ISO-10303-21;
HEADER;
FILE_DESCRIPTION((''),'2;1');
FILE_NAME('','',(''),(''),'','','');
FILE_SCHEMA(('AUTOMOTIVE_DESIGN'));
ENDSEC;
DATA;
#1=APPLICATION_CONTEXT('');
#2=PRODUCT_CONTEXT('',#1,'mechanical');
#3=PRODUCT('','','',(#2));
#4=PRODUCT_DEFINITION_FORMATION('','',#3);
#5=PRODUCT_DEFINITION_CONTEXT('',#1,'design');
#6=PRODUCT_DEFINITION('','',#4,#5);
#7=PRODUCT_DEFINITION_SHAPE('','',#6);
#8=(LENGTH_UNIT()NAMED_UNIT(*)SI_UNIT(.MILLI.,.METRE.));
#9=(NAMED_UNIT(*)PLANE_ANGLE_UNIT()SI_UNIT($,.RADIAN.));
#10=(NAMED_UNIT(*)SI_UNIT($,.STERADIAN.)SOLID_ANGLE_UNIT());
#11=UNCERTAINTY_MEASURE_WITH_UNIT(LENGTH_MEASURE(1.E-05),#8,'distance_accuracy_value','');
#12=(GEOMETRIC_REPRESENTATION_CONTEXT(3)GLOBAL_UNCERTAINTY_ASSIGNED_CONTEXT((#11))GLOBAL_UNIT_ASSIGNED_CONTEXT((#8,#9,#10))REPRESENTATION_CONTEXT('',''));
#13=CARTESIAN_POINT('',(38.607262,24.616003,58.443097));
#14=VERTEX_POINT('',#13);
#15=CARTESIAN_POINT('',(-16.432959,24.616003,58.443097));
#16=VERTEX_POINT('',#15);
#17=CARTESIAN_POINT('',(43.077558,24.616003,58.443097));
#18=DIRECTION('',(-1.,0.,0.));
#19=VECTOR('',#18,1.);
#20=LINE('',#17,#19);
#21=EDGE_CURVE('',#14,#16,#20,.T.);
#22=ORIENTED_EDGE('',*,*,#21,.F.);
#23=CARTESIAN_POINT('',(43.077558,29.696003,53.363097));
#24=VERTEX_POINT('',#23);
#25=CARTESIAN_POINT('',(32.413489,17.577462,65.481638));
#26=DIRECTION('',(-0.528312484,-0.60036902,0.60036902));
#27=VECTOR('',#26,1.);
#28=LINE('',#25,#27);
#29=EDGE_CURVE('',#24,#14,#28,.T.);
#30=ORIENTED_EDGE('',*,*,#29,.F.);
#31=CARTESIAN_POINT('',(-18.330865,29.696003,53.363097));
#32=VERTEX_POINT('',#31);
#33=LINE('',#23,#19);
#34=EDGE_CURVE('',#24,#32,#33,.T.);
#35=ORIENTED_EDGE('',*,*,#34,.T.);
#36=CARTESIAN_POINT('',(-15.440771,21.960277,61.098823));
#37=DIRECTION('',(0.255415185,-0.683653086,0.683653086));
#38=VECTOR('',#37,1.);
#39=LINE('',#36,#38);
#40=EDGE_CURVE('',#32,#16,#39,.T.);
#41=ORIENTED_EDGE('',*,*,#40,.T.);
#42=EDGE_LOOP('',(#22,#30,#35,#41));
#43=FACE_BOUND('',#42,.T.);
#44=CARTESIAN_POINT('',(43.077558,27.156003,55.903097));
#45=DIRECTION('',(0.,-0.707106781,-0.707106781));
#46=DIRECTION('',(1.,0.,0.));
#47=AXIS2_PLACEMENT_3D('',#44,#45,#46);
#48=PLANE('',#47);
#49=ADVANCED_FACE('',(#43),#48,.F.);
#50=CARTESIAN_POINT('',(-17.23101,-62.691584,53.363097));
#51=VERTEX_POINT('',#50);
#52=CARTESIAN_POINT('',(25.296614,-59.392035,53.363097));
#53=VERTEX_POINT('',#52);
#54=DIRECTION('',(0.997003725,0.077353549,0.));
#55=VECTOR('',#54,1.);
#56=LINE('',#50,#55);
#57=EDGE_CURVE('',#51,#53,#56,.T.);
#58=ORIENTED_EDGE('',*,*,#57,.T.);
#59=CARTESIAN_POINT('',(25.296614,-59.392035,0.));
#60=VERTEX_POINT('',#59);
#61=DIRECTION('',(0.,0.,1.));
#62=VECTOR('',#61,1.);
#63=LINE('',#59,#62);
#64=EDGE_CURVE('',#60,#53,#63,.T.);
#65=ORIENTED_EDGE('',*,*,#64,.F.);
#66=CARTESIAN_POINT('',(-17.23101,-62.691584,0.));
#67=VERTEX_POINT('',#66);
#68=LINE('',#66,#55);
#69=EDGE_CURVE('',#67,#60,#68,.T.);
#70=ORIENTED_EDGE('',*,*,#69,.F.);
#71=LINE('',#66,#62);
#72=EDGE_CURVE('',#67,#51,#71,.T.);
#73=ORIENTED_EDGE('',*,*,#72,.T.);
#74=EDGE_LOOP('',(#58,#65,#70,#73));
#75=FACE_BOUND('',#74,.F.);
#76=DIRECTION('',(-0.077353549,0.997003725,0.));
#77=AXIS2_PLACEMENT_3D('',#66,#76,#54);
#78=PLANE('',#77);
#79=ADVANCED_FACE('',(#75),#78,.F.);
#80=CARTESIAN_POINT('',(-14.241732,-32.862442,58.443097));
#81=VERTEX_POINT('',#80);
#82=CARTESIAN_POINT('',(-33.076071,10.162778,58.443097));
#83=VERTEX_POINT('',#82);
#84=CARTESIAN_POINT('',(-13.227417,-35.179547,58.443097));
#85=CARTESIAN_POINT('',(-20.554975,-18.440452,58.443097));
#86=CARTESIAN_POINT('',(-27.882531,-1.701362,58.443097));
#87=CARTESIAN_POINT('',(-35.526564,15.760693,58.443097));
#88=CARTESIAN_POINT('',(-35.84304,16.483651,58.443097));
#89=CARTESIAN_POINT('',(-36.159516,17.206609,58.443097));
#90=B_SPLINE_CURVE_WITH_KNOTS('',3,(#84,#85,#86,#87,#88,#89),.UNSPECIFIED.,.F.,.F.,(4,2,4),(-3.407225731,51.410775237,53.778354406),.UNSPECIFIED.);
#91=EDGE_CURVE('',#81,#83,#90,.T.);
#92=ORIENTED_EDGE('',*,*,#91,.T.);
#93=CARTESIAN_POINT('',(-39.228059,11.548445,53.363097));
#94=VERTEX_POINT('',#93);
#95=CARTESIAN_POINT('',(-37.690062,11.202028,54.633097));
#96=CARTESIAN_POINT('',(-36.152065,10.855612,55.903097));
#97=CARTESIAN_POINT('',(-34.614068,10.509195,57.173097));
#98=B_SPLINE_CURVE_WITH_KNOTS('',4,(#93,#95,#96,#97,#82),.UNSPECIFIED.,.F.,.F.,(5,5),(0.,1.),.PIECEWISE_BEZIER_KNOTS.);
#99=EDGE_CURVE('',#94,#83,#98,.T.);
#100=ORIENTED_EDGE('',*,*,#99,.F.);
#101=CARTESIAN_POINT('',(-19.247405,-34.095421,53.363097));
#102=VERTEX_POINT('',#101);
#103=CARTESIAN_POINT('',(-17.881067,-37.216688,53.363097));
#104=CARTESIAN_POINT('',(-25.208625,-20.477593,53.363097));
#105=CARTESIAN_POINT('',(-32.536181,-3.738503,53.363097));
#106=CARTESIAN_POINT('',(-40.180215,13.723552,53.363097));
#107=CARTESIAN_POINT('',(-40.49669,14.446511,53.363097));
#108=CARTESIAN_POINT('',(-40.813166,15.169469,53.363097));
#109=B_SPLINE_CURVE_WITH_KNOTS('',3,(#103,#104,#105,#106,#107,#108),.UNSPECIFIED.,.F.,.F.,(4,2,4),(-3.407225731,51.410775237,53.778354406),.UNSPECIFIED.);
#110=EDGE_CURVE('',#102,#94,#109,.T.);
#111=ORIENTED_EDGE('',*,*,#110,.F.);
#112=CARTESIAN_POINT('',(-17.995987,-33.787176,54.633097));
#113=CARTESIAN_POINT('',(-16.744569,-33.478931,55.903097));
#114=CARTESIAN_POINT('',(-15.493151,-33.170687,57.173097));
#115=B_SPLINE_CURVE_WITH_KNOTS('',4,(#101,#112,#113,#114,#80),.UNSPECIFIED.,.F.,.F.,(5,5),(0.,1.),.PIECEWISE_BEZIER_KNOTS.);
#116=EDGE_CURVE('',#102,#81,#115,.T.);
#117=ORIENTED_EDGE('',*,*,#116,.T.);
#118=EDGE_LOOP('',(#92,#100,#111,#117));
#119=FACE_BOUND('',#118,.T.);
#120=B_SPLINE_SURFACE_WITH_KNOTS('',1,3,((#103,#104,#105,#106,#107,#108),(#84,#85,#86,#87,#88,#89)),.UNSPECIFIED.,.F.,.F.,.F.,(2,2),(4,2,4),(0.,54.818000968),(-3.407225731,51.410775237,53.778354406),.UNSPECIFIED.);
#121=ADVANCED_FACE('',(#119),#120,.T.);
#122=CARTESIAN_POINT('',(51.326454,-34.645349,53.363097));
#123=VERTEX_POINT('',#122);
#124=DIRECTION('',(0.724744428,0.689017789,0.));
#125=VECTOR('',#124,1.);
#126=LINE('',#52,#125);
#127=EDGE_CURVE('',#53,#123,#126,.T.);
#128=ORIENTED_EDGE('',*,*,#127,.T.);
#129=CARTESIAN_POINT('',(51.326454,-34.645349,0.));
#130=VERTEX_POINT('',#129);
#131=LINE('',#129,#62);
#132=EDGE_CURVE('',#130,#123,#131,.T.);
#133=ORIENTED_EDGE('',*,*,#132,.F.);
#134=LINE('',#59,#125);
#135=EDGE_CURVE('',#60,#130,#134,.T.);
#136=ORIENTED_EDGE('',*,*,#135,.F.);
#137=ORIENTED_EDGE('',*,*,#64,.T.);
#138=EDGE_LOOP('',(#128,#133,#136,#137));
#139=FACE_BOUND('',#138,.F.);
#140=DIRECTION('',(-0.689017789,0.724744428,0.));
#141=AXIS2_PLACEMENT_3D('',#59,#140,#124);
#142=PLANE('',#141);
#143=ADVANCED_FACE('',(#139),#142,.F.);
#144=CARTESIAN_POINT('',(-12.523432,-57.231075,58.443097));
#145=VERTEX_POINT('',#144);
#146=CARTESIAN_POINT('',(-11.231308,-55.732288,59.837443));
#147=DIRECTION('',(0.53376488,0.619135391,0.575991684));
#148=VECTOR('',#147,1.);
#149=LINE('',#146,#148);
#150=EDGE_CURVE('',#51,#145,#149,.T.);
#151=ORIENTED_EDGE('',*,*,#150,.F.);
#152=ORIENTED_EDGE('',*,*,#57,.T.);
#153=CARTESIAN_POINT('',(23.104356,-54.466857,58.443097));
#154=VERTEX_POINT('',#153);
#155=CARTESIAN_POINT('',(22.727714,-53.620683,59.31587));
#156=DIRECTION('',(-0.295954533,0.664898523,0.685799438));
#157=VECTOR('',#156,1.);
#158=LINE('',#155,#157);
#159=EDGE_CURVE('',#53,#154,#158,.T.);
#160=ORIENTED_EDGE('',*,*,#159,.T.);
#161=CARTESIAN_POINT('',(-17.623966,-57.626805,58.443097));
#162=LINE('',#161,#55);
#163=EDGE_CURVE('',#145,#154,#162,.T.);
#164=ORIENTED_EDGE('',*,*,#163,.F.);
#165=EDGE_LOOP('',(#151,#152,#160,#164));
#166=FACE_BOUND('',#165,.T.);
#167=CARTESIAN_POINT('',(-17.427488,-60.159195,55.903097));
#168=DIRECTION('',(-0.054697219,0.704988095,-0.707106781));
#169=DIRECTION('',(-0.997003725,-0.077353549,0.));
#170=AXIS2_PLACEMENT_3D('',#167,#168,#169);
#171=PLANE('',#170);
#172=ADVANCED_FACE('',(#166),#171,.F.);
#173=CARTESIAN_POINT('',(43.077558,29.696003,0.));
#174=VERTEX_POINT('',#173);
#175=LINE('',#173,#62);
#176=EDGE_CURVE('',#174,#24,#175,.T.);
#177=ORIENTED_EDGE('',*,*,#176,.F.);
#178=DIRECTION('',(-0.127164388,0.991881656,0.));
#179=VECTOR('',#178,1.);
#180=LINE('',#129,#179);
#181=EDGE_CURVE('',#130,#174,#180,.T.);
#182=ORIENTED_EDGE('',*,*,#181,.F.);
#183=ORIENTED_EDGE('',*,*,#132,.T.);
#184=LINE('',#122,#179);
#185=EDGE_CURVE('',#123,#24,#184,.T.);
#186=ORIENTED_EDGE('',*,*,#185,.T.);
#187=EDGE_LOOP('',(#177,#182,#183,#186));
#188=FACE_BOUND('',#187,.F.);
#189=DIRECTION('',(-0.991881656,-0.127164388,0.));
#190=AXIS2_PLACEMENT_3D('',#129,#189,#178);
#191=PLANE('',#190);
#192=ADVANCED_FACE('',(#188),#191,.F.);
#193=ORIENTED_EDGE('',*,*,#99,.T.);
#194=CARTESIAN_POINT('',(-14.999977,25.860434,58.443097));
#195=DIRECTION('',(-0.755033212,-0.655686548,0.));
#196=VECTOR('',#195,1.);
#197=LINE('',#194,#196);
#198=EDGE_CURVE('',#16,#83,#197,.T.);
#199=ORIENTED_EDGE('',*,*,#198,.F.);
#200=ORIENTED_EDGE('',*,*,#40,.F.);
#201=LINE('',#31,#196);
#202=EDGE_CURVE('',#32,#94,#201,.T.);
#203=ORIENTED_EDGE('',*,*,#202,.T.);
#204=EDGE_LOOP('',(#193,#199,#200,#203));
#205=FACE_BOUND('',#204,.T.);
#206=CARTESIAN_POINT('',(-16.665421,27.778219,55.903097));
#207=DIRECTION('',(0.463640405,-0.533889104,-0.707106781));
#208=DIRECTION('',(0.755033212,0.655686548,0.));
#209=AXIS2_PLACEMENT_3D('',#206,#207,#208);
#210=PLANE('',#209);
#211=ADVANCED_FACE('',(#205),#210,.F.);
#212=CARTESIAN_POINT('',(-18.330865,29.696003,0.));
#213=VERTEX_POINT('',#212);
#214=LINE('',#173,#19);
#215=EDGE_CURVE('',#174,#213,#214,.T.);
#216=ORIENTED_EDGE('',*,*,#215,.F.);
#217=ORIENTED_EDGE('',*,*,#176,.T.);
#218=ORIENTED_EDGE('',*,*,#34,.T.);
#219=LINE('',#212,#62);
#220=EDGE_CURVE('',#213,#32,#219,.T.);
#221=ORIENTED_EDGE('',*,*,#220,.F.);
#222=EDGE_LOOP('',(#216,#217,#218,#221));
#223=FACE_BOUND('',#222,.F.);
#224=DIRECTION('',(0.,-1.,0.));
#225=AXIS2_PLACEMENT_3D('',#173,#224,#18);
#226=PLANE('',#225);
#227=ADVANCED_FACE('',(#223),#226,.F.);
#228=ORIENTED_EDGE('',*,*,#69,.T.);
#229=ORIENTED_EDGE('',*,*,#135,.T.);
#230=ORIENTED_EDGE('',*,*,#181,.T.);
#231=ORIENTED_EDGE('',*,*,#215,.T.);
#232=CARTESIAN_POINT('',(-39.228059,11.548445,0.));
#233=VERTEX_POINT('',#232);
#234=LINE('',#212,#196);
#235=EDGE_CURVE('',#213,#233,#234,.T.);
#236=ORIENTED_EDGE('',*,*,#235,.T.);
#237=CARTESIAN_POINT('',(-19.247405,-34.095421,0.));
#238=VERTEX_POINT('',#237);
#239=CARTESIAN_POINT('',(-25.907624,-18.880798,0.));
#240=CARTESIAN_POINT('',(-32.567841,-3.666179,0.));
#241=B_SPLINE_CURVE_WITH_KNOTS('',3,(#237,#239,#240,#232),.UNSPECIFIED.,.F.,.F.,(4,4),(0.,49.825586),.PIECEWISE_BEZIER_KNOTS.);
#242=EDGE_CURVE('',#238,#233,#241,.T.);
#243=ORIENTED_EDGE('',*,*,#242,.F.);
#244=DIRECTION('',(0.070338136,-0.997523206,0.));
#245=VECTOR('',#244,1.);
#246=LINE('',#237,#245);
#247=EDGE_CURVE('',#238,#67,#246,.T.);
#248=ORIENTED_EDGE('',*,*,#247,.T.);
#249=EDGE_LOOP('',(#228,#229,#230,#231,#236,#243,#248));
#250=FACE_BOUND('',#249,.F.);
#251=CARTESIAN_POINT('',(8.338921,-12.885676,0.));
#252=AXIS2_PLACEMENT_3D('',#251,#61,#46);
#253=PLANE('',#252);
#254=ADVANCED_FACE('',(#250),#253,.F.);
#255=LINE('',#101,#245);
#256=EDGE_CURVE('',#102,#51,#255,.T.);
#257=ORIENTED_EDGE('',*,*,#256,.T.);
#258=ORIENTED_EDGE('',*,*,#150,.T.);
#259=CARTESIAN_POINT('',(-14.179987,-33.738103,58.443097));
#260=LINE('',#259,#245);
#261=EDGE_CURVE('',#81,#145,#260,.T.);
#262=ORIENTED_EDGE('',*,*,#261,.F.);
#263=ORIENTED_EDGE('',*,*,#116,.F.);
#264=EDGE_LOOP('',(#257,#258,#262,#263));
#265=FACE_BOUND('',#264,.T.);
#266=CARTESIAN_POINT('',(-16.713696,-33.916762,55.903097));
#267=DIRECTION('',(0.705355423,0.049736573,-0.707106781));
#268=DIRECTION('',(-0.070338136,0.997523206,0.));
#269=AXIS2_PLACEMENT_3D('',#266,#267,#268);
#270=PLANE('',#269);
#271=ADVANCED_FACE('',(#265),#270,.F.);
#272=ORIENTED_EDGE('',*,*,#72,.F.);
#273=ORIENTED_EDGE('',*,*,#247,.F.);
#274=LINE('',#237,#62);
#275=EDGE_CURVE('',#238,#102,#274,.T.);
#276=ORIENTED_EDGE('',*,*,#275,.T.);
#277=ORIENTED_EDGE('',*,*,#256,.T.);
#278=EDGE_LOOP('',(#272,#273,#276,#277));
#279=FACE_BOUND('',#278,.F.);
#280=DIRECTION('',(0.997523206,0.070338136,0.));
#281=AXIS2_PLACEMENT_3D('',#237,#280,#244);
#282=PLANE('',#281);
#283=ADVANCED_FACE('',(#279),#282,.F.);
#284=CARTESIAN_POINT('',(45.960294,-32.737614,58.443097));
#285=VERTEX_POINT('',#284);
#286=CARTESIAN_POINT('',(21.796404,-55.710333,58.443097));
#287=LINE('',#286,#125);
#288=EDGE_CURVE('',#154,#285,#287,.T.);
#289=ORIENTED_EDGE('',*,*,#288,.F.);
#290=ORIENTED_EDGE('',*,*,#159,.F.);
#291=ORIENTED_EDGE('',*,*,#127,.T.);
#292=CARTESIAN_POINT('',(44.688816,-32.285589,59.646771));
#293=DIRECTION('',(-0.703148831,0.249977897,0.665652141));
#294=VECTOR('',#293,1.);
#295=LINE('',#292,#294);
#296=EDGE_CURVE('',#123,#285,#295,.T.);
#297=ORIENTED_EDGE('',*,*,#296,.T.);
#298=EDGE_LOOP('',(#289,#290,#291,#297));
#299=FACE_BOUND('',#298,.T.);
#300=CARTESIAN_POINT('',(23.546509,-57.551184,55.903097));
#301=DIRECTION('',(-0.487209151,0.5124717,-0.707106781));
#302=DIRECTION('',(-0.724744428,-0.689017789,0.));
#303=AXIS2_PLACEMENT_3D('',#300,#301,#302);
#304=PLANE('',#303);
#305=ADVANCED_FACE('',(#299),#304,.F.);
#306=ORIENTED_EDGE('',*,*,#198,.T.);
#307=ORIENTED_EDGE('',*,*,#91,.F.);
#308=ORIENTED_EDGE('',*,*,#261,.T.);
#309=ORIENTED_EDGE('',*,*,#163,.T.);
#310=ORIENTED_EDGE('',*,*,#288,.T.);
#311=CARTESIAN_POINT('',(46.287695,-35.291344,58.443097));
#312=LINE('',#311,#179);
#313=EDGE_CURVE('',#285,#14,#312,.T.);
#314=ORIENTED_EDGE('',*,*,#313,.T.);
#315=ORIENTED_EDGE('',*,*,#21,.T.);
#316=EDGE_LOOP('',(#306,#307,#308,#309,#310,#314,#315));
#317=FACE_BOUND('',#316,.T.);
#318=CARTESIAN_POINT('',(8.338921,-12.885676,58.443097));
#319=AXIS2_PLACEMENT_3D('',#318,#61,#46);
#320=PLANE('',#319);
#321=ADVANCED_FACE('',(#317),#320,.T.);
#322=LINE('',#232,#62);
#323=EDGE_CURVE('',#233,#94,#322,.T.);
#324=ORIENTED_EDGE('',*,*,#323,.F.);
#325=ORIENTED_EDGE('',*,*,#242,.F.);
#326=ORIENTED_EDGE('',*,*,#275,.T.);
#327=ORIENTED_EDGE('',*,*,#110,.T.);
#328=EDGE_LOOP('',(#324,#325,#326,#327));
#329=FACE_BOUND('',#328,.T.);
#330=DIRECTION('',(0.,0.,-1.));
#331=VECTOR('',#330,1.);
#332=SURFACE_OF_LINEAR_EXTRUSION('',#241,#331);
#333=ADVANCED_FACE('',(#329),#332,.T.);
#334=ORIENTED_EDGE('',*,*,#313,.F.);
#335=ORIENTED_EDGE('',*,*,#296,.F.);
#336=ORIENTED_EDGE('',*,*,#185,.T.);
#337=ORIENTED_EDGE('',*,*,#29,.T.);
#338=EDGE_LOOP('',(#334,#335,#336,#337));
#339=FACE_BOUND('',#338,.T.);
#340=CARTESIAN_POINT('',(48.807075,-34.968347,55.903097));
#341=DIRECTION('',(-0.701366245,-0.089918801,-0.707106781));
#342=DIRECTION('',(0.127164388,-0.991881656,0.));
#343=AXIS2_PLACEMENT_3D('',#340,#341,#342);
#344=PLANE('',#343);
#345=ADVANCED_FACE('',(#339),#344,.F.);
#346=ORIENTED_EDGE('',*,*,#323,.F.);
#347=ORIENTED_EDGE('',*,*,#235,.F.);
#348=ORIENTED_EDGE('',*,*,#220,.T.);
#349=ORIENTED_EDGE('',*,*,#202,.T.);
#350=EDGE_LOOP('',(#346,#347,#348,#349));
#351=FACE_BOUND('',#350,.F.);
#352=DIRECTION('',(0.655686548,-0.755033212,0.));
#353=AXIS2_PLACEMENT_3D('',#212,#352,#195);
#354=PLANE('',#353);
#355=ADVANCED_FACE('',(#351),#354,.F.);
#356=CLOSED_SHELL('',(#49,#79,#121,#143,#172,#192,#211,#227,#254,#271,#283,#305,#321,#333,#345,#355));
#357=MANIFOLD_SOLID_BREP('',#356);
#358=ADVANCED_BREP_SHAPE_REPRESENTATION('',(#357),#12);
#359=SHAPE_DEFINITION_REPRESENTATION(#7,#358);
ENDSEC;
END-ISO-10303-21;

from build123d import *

# Parameters (mm, degrees)
F1_DEPTH = 58.443097
F2_SIZE  = 5.08


with BuildPart() as f1:
    # F0 (on Top) → F1 (new body)
    with BuildSketch(Plane.XY):
        with BuildLine():
            Line((-18.330865, 29.696003), (-39.228059, 11.548445))
            add(Edge.make_bspline(
                [(-19.247405, -34.095421), (-25.907624, -18.880798), (-32.567841, -3.666179), (-39.228059, 11.548445)],
                knots=[0, 0, 0, 0, 49.825586, 49.825586, 49.825586, 49.825586], degree=3))
            Line((-19.247405, -34.095421), (-17.23101, -62.691584))
            Line((-17.23101, -62.691584), (25.296614, -59.392035))
            Line((25.296614, -59.392035), (51.326454, -34.645349))
            Line((51.326454, -34.645349), (43.077558, 29.696003))
            Line((43.077558, 29.696003), (-18.330865, 29.696003))
        make_face()
    extrude(amount=F1_DEPTH)

    # F2
    f2_edges = [f1.edges().sort_by_distance(p)[0] for p in [
        (38.311534, -47.018692, 58.443097),
        (47.202006, -2.474673, 58.443097),
        (12.373347, 29.696003, 58.443097),
        (-28.779462, 20.622224, 58.443097),
        (-29.237732, -11.273488, 58.443097),
        (-18.239208, -48.393503, 58.443097),
        (4.032802, -61.04181, 58.443097),
    ]]
    chamfer(f2_edges, length=F2_SIZE)


solid = f1.part
